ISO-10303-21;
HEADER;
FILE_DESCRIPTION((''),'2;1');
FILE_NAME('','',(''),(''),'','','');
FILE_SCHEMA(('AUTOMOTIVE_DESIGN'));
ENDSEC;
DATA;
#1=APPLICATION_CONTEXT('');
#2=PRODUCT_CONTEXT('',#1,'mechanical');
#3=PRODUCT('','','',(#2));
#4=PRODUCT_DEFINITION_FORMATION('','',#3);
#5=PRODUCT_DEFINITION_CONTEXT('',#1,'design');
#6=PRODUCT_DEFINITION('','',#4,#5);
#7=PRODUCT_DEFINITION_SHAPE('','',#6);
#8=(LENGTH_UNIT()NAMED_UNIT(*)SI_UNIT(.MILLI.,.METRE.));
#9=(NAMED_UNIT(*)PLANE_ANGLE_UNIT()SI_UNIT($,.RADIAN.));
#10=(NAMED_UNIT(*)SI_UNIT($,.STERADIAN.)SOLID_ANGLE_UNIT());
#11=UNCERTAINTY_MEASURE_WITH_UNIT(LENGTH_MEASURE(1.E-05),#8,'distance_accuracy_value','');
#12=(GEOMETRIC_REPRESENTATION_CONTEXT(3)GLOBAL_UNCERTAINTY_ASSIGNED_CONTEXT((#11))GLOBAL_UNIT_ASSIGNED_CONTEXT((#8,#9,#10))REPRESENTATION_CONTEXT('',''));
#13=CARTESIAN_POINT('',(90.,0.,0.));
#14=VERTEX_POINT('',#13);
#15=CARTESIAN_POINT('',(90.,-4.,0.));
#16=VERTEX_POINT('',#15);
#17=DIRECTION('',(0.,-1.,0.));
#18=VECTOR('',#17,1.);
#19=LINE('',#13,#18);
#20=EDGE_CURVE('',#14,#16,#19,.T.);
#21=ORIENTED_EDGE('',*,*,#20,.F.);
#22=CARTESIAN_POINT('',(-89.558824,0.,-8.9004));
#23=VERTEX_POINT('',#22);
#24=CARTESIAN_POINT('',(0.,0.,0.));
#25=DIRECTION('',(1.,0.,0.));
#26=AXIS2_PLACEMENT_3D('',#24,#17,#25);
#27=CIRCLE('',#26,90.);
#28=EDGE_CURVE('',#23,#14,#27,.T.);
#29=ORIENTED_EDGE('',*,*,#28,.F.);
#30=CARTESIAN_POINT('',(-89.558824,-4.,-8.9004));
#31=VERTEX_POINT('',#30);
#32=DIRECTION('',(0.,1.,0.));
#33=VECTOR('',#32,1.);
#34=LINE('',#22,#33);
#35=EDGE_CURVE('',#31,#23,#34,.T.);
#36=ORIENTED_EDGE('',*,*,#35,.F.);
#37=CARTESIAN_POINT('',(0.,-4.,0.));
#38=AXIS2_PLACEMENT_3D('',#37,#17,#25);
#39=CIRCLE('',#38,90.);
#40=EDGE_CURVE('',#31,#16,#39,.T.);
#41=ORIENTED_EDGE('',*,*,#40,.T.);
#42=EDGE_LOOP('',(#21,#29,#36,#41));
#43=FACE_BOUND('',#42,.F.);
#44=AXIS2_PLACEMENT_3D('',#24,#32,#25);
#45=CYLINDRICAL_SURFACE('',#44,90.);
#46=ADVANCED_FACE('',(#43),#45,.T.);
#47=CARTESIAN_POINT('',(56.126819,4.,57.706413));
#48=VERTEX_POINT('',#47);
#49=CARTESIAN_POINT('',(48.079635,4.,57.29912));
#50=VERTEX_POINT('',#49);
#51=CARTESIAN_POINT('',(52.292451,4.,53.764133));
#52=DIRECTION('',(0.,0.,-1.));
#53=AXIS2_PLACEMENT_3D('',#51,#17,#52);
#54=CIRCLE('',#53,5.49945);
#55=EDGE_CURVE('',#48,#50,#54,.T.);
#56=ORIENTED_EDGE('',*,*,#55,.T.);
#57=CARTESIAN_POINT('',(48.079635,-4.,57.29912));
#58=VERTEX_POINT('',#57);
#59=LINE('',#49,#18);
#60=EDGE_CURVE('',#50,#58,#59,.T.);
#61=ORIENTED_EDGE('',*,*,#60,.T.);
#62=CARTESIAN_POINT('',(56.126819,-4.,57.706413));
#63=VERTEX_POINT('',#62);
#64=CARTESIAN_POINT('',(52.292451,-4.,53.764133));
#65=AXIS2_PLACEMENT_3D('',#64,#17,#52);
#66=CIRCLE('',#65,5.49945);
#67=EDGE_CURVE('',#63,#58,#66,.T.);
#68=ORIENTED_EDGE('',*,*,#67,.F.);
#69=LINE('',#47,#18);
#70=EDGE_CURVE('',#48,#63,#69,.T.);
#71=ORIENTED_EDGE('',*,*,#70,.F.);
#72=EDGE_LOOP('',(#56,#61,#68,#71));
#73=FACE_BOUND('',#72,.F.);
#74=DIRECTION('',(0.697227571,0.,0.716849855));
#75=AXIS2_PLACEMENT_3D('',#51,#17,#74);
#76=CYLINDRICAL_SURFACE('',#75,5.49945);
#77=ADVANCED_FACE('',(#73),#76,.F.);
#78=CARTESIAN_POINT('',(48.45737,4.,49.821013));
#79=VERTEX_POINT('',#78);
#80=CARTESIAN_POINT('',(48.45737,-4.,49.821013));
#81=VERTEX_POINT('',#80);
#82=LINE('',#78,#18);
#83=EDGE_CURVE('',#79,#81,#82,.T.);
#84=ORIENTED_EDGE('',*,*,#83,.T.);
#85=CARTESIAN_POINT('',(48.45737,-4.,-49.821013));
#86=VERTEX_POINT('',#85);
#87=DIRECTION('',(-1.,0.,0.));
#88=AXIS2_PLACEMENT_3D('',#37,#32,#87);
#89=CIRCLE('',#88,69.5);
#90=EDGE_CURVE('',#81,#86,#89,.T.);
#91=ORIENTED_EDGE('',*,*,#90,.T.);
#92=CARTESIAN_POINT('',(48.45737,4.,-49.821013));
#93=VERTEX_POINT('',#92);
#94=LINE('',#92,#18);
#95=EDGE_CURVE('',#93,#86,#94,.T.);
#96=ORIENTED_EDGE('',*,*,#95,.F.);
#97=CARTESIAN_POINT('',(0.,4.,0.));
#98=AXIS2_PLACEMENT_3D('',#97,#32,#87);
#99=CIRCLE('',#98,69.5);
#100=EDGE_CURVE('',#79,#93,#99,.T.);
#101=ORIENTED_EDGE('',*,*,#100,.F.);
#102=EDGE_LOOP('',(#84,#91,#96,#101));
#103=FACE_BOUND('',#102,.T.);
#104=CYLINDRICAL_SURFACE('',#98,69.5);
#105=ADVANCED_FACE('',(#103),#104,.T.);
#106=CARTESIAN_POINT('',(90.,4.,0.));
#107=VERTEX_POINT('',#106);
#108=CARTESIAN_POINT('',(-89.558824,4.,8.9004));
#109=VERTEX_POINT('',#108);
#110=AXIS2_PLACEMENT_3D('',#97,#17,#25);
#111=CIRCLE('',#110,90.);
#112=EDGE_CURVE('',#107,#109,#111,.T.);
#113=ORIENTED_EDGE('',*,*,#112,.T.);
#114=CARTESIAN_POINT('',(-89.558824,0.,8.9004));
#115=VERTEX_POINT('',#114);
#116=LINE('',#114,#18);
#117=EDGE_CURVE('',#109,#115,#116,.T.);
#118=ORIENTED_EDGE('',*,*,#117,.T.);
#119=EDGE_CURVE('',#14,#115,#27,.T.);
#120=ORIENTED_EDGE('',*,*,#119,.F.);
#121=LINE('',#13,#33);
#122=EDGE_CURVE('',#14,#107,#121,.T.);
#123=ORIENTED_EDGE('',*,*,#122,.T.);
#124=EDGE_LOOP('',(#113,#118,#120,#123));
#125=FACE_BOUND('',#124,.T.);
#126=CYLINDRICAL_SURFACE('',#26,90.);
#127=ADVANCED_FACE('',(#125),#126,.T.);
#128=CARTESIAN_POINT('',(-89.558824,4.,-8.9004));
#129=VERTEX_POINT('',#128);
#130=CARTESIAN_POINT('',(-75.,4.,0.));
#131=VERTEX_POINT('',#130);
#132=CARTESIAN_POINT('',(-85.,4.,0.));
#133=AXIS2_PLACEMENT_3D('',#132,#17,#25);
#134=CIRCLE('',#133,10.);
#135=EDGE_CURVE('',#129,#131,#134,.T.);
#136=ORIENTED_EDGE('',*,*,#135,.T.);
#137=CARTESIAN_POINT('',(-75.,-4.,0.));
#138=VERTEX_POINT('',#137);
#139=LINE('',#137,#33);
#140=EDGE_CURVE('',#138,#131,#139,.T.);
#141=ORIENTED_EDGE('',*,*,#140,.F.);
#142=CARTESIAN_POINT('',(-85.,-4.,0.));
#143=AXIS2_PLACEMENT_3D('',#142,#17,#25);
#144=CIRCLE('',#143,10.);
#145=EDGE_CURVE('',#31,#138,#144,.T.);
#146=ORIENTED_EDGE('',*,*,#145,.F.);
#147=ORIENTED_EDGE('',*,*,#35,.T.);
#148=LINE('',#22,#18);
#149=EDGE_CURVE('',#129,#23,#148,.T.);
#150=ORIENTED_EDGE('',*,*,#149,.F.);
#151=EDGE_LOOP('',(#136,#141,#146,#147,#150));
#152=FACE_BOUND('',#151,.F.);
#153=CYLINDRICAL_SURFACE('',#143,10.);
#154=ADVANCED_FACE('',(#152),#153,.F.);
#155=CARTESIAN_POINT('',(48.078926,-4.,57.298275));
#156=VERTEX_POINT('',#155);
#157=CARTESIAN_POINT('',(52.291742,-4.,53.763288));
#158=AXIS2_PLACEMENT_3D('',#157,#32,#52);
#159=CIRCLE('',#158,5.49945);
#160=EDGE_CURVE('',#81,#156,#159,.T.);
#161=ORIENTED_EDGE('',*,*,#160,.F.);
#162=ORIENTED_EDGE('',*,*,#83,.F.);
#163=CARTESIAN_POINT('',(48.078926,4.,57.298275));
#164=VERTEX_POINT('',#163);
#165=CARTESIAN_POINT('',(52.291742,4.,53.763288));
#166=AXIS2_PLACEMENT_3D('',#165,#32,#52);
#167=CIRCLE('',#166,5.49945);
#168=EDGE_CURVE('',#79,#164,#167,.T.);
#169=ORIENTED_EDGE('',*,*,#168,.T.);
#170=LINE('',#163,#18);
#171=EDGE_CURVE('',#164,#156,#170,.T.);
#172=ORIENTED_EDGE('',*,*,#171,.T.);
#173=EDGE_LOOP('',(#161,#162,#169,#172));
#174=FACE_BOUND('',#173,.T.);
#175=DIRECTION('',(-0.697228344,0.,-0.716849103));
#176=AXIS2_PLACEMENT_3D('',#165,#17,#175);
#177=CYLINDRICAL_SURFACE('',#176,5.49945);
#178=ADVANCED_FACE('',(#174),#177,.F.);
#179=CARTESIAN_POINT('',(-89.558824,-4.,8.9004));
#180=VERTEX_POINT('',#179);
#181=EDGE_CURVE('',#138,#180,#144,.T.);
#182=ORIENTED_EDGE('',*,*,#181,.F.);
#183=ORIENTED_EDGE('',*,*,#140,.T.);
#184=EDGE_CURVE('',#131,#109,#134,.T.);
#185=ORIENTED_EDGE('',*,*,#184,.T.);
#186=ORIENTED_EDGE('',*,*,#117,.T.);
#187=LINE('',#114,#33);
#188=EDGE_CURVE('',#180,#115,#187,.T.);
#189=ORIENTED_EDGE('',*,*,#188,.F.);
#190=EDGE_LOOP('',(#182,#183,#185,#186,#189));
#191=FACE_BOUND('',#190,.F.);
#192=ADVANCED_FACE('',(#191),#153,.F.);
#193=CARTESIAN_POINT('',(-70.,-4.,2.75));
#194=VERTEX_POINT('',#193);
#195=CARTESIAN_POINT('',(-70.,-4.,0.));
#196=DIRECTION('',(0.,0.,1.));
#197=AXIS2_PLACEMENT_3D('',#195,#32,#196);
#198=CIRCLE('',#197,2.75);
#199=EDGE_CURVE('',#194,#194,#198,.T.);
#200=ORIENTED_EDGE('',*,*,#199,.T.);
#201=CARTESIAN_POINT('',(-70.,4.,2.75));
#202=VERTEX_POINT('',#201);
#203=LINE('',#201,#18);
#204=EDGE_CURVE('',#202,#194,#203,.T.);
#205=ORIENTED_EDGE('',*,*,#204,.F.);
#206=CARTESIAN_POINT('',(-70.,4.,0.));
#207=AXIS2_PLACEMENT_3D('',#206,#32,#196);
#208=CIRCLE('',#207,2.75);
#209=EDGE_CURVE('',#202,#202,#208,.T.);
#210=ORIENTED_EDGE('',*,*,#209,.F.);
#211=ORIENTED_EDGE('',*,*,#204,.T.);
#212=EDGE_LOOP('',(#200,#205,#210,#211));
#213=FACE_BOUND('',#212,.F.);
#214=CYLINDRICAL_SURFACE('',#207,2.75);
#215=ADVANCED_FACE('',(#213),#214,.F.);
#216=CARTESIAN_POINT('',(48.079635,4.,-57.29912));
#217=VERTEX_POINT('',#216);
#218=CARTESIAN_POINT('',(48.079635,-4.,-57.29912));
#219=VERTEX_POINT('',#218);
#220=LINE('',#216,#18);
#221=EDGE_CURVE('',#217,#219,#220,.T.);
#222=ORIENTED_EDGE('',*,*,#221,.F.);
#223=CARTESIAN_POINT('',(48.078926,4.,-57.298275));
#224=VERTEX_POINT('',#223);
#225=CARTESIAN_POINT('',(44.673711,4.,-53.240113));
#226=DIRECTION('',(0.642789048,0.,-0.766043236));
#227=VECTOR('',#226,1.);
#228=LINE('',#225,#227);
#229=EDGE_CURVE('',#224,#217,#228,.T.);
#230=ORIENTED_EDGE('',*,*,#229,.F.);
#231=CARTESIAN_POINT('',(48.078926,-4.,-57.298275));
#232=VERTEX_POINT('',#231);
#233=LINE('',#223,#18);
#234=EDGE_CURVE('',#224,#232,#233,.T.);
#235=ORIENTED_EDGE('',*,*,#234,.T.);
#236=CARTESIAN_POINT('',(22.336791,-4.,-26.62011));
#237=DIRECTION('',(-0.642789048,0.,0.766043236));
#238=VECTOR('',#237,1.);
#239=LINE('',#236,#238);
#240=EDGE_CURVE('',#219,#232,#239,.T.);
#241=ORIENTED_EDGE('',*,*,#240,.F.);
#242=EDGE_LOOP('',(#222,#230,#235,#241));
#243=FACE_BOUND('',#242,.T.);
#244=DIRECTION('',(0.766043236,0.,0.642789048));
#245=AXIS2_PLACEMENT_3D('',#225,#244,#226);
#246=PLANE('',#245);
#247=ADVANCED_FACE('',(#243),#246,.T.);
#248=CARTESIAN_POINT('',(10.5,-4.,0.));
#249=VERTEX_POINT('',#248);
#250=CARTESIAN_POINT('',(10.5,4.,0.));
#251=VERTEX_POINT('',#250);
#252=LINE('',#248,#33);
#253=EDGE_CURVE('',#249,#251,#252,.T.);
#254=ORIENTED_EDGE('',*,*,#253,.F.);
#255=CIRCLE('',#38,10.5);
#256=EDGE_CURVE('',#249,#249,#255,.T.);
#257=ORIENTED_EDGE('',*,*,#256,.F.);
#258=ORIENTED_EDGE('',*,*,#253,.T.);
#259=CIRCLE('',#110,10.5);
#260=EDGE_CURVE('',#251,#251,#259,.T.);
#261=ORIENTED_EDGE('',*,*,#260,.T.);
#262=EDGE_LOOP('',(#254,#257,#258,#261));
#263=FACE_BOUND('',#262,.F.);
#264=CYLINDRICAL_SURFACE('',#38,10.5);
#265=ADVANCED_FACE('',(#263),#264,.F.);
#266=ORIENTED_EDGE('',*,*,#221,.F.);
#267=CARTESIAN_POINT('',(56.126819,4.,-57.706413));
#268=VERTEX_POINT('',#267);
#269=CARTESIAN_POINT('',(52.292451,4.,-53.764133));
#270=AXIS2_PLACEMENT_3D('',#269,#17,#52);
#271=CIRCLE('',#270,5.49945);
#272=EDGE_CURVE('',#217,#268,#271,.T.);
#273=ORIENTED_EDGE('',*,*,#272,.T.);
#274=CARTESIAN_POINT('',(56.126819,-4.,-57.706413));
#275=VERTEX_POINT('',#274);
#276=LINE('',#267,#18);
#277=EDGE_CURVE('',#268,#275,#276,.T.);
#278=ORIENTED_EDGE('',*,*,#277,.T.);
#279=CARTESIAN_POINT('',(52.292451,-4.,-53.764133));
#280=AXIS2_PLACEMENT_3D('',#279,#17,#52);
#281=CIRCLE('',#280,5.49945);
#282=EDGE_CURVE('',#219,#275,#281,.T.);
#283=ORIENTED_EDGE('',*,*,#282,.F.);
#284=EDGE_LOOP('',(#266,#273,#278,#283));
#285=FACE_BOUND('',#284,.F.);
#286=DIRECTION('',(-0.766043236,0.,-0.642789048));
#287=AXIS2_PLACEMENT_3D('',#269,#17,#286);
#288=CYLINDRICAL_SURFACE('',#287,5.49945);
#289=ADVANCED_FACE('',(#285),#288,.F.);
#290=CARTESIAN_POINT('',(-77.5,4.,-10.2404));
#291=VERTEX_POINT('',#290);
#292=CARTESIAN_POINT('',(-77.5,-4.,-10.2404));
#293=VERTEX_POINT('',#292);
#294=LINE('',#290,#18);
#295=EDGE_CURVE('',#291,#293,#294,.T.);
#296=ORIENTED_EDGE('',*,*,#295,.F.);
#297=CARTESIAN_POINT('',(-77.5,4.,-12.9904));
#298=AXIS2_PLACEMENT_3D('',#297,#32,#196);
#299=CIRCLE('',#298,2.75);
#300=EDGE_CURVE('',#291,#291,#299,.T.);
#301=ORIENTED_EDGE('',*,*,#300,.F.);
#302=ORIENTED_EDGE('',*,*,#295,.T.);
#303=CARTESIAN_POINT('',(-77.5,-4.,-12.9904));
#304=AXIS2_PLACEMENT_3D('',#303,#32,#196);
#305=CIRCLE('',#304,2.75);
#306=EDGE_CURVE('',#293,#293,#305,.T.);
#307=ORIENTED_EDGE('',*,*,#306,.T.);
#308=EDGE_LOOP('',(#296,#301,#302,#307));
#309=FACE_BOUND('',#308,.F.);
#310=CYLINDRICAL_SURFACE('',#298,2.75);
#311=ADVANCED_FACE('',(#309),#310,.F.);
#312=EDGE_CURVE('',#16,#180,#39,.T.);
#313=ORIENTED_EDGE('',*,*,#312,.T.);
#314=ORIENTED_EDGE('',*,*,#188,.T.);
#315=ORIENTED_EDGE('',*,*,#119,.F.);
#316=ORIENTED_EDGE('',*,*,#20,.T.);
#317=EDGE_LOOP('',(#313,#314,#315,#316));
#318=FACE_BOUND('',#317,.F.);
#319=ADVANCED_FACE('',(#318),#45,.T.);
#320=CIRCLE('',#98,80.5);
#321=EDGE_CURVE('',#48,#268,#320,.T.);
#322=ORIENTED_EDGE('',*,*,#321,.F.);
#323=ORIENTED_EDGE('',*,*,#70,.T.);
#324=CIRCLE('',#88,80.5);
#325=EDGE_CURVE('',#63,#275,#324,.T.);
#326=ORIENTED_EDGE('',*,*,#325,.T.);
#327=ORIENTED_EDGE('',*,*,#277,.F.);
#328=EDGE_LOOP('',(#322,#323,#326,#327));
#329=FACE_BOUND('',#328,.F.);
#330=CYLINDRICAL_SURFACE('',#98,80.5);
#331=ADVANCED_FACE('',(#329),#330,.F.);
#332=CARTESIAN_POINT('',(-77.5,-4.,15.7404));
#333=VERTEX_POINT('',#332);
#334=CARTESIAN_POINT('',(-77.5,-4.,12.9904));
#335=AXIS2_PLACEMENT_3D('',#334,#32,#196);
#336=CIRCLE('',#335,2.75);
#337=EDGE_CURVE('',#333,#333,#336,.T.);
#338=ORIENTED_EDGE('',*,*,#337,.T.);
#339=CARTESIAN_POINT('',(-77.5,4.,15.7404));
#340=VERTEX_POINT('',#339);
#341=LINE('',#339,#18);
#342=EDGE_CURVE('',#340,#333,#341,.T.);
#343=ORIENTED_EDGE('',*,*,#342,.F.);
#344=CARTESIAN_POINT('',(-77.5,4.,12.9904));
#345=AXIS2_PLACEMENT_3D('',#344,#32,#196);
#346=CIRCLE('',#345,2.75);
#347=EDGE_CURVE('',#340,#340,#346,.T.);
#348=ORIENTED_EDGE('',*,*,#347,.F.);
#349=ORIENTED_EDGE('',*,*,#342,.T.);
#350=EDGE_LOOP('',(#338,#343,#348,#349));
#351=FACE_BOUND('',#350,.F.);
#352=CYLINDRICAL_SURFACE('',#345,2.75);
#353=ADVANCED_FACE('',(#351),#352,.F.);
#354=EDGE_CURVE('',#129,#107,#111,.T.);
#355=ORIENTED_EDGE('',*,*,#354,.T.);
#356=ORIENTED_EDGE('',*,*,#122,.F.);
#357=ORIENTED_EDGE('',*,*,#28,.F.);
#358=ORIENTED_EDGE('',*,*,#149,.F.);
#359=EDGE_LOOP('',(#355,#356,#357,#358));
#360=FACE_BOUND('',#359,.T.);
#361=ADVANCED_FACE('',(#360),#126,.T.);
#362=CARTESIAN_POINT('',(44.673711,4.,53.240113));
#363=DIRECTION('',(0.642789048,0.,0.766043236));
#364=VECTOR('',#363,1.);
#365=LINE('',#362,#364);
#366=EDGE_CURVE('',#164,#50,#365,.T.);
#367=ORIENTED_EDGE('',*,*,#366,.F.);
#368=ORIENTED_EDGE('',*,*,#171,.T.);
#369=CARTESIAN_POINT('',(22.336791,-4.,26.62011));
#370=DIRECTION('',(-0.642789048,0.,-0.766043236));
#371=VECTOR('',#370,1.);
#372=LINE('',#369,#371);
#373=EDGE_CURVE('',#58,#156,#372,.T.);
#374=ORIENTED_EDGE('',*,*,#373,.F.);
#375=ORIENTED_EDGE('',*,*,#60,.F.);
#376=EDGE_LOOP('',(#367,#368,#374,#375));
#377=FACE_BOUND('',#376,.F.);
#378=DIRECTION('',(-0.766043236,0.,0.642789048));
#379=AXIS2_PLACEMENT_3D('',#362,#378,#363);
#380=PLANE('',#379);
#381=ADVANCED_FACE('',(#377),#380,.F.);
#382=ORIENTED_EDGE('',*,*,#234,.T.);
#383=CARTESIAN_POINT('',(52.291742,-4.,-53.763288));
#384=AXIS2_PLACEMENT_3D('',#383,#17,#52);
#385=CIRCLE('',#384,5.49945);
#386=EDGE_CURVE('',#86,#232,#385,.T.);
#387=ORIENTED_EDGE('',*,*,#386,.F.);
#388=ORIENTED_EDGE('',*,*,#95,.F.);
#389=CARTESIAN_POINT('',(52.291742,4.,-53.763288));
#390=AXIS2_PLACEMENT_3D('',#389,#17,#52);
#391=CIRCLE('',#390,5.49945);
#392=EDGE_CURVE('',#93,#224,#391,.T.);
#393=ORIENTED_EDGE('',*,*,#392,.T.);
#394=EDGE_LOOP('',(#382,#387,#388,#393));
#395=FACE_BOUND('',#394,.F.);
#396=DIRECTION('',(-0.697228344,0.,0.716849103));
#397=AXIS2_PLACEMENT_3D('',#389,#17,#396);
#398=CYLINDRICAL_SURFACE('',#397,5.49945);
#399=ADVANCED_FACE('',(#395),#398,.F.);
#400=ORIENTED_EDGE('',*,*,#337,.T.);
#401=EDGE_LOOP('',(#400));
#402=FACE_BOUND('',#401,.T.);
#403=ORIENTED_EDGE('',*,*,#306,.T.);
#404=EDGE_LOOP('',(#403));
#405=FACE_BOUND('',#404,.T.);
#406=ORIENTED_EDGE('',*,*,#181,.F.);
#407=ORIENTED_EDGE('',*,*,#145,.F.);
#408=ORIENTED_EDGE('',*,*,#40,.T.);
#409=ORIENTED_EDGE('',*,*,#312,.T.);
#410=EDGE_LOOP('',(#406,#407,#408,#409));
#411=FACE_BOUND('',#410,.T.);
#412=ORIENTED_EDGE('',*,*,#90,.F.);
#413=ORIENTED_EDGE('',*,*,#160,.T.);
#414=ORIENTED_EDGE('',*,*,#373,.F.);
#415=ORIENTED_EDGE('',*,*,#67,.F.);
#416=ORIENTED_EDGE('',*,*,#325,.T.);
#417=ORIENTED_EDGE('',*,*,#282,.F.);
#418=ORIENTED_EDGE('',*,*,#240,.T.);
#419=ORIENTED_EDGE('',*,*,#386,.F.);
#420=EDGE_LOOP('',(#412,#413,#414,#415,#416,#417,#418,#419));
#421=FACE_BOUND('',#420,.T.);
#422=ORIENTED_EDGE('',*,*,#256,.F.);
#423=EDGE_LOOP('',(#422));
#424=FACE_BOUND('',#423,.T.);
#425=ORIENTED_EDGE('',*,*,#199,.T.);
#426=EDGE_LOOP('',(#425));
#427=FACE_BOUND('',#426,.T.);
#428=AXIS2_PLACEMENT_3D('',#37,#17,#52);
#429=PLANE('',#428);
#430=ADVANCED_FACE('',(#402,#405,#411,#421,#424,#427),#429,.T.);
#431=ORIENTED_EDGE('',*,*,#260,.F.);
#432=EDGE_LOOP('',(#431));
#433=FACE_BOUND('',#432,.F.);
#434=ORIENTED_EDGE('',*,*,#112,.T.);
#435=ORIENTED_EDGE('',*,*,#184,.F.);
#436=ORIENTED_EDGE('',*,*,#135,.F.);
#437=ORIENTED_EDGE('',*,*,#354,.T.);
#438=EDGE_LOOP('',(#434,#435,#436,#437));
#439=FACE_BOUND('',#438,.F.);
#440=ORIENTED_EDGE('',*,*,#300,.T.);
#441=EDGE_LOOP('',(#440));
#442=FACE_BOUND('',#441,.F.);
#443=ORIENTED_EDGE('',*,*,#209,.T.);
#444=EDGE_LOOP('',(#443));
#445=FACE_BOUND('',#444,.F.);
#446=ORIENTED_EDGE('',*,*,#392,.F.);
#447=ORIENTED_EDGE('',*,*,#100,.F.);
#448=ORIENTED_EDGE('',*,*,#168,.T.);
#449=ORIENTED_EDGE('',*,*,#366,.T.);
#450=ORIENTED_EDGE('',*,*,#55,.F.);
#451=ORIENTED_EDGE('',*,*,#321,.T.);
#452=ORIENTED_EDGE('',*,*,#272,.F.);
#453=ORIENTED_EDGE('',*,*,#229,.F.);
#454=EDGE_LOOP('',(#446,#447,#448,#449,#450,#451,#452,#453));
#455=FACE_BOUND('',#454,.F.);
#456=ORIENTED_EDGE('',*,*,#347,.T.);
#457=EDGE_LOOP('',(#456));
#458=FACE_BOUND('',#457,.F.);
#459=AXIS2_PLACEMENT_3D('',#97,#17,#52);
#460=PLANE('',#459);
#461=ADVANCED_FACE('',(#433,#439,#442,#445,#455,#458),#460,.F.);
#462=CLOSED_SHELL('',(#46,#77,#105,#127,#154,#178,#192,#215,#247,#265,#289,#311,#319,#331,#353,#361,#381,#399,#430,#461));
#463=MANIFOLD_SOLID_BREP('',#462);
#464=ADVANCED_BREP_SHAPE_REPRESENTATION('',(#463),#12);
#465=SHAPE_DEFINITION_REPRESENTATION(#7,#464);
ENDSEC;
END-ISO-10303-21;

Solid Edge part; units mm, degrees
sketch "Sketch1" plane through (0, 0, 0) normal (0, -1, 0) x (1, 0, 0)
  circle A0 centre (0, 0) radius 90
extrude "Protrusion1" add sketch "Sketch1" along normal mid plane 8
sketch "Sketch2" plane through (0, -4, 0) normal (0, -1, 0) x (1, 0, 0)
  circle A0 centre (0, 0) radius 10.5
  circle A1 centre (-85, 0) radius 10
extrude "ExtrudedCutout_1" cut sketch "Sketch2" along normal mid plane 282.4978
extrude "ExtrudedCutout_2" [suppressed]
sketch "Sketch3" plane through (0, 4, 0) normal (0, 1, 0) x (-1, 0, 0)
  arc A0 (-44.6737, 53.2401) -> (-44.6737, -53.2401) centre (0, 0) ccw
  line L0 (-44.6737, -53.2401) -> (-51.7444, -61.6666)
  arc A1 (-51.7444, 61.6666) -> (-51.7444, -61.6666) centre (0, 0) ccw
  line L1 (-44.6737, 53.2401) -> (-51.7444, 61.6666)
extrude "ExtrudedCutout_3" cut sketch "Sketch3" against normal blind 80.1209
fillet "Round_2" radius 5.5 4 edges at (51.7444, 0, 61.6666) (44.6737, 0, 53.2401) (44.6737, 0, -53.2401) (51.7444, 0, -61.6666)
sketch "Sketch4" plane through (0.2206, 4, 0) normal (0, 1, 0) x (0, 0, 1)
  circle A0 centre (-12.9904, -77.7206) radius 2.75
  circle A1 centre (0, -70.2206) radius 2.75
  circle A2 centre (12.9904, -77.7206) radius 2.75
extrude "ExtrudedCutout_4" cut sketch "Sketch4" against normal blind 34.5178
properties material "PVC"
